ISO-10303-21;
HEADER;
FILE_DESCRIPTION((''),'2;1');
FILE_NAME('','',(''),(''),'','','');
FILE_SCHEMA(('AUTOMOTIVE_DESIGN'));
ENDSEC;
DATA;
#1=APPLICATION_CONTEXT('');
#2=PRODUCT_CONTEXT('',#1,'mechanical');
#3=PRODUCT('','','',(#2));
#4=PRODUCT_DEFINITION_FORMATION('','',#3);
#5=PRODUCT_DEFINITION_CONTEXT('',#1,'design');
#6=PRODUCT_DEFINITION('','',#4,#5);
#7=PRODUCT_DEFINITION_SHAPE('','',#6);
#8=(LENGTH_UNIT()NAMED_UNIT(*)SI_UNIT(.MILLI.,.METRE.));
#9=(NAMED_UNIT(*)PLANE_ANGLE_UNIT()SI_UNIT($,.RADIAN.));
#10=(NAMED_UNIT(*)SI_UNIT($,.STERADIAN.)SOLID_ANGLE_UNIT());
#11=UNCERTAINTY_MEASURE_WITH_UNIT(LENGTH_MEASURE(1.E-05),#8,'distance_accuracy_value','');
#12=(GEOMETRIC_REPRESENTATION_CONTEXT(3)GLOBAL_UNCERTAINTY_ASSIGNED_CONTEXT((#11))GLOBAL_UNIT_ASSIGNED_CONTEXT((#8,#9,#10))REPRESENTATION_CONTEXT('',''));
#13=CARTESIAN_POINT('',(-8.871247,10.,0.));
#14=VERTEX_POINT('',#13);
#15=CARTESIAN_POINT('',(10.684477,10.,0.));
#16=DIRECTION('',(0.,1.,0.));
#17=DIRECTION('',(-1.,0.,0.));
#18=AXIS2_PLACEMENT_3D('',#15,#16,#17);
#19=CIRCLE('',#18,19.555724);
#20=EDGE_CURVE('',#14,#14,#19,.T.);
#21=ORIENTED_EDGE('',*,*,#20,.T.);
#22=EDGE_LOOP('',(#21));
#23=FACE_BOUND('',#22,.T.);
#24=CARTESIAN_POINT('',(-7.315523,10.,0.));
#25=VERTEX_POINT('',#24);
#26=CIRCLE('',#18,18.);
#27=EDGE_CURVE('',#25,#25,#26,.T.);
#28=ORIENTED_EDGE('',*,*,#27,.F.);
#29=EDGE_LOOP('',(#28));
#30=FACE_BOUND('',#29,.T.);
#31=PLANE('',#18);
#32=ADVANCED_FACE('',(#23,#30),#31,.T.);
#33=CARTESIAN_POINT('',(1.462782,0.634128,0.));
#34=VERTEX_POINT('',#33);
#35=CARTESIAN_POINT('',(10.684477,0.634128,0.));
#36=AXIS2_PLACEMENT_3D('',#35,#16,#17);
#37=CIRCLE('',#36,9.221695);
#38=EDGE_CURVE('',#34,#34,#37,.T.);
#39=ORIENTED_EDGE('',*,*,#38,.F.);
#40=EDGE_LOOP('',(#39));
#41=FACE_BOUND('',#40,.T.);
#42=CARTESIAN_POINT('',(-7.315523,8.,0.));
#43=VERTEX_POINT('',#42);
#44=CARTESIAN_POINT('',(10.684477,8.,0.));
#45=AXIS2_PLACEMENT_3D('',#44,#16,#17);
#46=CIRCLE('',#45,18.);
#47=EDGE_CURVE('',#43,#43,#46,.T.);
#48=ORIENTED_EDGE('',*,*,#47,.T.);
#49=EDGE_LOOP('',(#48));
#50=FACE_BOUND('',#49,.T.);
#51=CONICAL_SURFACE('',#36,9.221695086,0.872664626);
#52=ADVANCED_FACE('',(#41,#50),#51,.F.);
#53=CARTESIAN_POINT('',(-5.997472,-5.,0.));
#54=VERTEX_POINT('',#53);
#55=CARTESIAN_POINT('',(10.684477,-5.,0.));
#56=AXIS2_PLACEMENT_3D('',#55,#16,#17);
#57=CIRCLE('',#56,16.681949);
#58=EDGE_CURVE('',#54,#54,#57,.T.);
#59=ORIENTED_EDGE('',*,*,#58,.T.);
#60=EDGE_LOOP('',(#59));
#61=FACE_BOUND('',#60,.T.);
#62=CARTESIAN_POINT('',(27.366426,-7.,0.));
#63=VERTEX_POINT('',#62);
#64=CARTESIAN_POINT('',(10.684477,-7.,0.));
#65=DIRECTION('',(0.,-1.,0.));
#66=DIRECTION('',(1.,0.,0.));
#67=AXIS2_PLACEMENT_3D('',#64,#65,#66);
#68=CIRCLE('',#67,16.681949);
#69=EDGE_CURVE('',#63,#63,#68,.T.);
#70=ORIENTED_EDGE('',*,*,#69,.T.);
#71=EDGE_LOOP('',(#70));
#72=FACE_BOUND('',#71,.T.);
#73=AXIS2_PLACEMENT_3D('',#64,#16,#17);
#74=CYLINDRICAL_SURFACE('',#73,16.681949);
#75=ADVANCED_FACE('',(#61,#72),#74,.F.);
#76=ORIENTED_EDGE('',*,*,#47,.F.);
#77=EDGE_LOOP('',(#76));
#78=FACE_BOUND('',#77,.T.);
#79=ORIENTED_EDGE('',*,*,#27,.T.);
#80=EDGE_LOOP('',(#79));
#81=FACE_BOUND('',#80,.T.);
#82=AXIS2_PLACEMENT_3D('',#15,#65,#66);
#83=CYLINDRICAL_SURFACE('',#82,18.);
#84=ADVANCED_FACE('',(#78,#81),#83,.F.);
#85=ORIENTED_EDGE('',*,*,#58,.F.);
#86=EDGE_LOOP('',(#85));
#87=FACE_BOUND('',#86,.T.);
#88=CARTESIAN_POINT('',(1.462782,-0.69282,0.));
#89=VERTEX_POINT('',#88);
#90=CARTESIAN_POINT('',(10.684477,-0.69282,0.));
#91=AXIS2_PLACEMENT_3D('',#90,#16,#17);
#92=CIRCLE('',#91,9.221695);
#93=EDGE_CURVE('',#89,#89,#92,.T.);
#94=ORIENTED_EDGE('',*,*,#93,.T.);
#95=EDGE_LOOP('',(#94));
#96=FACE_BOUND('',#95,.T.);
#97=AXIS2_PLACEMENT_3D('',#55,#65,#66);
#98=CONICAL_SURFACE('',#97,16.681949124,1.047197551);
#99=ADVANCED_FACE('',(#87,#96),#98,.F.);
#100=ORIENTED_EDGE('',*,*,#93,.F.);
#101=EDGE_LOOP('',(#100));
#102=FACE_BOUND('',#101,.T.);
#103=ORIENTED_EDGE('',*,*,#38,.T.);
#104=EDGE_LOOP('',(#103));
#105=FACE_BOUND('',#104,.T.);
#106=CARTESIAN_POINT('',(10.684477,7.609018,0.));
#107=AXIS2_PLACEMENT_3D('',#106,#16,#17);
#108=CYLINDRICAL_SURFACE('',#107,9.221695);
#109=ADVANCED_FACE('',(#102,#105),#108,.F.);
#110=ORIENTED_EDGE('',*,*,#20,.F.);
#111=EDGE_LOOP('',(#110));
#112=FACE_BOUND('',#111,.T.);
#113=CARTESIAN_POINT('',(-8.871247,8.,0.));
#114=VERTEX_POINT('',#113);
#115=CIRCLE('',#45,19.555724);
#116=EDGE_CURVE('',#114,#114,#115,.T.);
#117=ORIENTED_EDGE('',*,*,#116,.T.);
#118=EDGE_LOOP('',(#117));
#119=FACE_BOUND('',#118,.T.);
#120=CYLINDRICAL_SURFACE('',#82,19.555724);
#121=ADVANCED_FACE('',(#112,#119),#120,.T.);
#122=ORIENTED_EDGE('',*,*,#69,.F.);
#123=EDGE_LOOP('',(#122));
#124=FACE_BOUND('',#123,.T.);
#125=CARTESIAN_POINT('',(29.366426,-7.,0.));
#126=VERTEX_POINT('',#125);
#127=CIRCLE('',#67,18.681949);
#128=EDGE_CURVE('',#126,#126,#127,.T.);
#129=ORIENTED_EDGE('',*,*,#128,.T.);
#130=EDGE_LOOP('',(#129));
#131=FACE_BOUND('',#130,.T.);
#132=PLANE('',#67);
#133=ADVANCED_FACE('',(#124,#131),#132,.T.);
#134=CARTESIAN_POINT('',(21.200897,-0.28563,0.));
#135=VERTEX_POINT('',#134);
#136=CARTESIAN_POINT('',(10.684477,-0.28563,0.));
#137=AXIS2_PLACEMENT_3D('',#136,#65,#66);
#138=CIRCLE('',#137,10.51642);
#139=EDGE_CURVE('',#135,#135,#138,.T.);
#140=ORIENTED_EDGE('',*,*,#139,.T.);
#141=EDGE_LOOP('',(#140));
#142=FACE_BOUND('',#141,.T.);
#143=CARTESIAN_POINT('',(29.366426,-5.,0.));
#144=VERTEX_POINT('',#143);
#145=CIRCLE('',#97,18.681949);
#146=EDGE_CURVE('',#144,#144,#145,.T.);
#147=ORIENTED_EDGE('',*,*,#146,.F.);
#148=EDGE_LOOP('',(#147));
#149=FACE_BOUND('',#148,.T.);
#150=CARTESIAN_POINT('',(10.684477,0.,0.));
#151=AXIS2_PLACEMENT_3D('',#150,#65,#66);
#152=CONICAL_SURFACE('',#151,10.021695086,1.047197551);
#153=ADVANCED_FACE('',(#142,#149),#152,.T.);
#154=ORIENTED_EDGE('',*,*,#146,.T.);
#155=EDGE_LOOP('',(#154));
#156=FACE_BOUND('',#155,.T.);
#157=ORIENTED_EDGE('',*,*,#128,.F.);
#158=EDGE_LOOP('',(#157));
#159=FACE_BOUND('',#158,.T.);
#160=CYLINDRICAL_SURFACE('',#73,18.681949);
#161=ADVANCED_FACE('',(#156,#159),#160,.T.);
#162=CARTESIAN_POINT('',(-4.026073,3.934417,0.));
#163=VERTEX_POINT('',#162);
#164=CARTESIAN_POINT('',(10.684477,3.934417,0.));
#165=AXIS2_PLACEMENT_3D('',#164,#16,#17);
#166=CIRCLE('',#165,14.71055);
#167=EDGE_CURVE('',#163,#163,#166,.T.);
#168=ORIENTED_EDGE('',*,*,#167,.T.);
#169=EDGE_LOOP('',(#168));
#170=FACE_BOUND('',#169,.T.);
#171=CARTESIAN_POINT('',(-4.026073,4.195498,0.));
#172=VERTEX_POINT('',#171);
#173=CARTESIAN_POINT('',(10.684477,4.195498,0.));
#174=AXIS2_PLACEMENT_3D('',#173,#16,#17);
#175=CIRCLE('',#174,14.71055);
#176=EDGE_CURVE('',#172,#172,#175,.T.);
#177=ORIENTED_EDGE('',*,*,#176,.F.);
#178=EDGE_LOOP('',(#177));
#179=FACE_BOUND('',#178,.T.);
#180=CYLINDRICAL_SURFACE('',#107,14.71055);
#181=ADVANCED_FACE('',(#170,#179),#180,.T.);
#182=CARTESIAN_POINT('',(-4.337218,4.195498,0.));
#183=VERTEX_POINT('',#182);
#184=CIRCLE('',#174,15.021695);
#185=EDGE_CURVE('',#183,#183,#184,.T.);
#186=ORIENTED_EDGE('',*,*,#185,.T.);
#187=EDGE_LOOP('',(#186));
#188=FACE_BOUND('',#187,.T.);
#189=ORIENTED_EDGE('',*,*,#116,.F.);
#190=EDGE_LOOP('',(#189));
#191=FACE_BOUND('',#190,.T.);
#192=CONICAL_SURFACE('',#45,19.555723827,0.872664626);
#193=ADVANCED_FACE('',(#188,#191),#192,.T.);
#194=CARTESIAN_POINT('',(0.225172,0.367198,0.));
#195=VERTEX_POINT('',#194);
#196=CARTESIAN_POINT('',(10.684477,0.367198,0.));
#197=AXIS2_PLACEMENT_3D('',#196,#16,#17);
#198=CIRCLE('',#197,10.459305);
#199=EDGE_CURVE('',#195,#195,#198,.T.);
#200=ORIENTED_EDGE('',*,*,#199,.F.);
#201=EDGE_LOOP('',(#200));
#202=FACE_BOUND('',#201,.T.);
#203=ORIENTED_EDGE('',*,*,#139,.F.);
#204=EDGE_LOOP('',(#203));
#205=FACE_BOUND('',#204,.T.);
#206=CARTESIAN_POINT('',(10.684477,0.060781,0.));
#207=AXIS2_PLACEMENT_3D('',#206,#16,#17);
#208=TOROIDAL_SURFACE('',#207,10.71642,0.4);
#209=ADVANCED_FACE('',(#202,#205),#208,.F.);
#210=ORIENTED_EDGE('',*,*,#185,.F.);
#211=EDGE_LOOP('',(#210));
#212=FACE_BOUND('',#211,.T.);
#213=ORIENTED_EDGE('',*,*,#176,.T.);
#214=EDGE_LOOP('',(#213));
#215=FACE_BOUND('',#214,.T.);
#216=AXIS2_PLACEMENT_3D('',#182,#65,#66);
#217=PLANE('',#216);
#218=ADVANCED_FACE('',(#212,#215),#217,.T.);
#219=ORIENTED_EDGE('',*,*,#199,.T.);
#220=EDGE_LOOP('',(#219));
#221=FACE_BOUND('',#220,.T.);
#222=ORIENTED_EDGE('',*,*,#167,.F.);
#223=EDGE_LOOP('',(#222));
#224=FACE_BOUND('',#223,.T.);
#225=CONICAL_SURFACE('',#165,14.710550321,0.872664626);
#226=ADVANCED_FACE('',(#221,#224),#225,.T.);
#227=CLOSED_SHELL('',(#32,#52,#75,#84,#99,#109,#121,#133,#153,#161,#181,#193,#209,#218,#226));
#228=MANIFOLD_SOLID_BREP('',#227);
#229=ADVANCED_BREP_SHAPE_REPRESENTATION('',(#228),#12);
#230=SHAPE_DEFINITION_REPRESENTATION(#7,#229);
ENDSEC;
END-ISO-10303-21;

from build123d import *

# Parameters (mm, degrees)
FILLET2_R           = 0.4
SKETCH2_R           = 19.555723827
SKETCH2_R_2         = 18
BOSS_EXTRUDE1_DEPTH = 2
SKETCH3_R           = 18.681949124
SKETCH3_R_2         = 16.681949124
BOSS_EXTRUDE2_DEPTH = 2


with BuildPart() as part:
    # Sketch1 → Revolve1 (revolve)
    with BuildSketch(Plane.XY):
        Polygon((0.662781953, 0), (-4.026073282, 3.934416698), (-4.026073282, 4.195498156), (-4.337218047, 4.195498156), (-8.871246788, 8), (-7.315522961, 8), (1.462781953, 0.634127584), (1.462781953, -0.692820323), (-5.997472085, -5), (-7.997472085, -5), align=None)
    revolve(axis=Axis((10.684477039, 7.609018033, 0), (0, -1, 0)))

    # Fillet2
    fillet2_edges = [part.edges().sort_by_distance(p)[0] for p in [
        (20.706172125, 0, 0),
    ]]
    fillet(fillet2_edges, radius=FILLET2_R)

    # Sketch2 → Boss-Extrude1 (add)
    with BuildSketch(Plane(origin=(0, 8, 0), x_dir=(1, 0, 0), z_dir=(0, 1, 0))):
        with Locations(Location((10.684477039, 0, 0), (0, 0, 180))):
            Circle(SKETCH2_R)
        with Locations(Location((10.684477039, 0, 0), (0, 0, 180))):
            Circle(SKETCH2_R_2, mode=Mode.SUBTRACT)
    extrude(amount=BOSS_EXTRUDE1_DEPTH)

    # Sketch3 → Boss-Extrude2 (add)
    with BuildSketch(Plane.XZ.offset(5)):
        with Locations((10.684477039, 0)):
            Circle(SKETCH3_R)
        with Locations(Location((10.684477039, 0, 0), (0, 0, 180))):
            Circle(SKETCH3_R_2, mode=Mode.SUBTRACT)
    extrude(amount=BOSS_EXTRUDE2_DEPTH)


solid = part.part
